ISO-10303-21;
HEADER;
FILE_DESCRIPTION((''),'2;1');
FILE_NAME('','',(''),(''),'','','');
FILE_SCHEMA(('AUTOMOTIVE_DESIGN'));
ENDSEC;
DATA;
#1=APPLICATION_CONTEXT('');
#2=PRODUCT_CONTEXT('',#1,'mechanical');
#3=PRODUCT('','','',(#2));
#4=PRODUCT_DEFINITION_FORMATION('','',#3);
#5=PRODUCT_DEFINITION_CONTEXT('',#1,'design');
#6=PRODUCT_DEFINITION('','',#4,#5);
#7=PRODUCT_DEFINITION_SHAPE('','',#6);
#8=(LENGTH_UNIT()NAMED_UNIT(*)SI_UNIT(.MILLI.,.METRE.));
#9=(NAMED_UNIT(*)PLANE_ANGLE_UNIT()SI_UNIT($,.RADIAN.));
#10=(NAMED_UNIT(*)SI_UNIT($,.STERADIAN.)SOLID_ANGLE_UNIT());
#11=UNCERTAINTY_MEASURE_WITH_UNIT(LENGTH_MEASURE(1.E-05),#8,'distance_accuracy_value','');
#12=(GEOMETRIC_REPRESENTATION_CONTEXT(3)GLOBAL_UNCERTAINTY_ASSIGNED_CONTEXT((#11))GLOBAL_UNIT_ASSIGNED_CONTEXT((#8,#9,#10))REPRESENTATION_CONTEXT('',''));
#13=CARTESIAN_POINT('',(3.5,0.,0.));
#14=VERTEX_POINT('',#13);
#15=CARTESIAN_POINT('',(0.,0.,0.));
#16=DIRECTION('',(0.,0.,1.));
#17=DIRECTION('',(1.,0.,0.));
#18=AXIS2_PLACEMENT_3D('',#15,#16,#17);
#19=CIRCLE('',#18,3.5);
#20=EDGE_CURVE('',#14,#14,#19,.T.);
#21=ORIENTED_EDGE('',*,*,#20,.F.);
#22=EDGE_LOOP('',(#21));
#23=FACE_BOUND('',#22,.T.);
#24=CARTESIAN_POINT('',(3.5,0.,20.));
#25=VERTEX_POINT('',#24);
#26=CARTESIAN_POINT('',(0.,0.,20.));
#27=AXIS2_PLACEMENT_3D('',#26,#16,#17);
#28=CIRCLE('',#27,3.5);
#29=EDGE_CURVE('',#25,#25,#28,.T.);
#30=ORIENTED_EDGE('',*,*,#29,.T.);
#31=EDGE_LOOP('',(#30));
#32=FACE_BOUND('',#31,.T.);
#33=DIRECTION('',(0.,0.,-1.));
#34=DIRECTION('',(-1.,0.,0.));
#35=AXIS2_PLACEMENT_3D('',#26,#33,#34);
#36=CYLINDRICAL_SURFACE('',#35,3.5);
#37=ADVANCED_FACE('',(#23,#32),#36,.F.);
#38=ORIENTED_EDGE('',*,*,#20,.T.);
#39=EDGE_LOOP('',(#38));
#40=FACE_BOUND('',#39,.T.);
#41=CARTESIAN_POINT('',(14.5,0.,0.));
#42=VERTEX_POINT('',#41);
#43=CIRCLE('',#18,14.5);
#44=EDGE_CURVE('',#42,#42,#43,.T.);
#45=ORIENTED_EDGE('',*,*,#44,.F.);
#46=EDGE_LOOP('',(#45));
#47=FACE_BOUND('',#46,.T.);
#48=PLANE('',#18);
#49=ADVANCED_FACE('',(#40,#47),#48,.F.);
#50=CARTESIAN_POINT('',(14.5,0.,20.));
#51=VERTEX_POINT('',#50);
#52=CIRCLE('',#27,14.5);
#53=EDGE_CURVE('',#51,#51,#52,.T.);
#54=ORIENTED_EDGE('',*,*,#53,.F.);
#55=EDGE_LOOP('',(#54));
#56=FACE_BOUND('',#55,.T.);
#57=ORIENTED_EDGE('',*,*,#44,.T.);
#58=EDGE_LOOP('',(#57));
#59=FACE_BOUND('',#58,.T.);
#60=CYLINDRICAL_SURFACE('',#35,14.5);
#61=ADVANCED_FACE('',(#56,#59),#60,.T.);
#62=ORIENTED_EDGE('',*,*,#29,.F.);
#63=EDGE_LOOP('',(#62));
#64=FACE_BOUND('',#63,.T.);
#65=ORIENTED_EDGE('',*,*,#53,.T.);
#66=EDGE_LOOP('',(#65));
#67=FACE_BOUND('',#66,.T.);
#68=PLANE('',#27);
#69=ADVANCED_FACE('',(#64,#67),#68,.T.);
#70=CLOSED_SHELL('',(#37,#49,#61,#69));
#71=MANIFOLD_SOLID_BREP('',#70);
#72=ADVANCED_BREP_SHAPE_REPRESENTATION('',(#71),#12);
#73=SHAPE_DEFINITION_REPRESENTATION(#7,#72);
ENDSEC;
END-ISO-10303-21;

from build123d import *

# Parameters (mm, degrees)
CROQUIS1_R              = 14.5
CROQUIS1_R_2            = 3.5
SALIENTE_EXTRUIR1_DEPTH = 20


with BuildPart() as part:
    # Croquis1 → Saliente-Extruir1 (new body)
    with BuildSketch(Plane.XY):
        Circle(CROQUIS1_R)
        Circle(CROQUIS1_R_2, mode=Mode.SUBTRACT)
    extrude(amount=SALIENTE_EXTRUIR1_DEPTH)


solid = part.part
